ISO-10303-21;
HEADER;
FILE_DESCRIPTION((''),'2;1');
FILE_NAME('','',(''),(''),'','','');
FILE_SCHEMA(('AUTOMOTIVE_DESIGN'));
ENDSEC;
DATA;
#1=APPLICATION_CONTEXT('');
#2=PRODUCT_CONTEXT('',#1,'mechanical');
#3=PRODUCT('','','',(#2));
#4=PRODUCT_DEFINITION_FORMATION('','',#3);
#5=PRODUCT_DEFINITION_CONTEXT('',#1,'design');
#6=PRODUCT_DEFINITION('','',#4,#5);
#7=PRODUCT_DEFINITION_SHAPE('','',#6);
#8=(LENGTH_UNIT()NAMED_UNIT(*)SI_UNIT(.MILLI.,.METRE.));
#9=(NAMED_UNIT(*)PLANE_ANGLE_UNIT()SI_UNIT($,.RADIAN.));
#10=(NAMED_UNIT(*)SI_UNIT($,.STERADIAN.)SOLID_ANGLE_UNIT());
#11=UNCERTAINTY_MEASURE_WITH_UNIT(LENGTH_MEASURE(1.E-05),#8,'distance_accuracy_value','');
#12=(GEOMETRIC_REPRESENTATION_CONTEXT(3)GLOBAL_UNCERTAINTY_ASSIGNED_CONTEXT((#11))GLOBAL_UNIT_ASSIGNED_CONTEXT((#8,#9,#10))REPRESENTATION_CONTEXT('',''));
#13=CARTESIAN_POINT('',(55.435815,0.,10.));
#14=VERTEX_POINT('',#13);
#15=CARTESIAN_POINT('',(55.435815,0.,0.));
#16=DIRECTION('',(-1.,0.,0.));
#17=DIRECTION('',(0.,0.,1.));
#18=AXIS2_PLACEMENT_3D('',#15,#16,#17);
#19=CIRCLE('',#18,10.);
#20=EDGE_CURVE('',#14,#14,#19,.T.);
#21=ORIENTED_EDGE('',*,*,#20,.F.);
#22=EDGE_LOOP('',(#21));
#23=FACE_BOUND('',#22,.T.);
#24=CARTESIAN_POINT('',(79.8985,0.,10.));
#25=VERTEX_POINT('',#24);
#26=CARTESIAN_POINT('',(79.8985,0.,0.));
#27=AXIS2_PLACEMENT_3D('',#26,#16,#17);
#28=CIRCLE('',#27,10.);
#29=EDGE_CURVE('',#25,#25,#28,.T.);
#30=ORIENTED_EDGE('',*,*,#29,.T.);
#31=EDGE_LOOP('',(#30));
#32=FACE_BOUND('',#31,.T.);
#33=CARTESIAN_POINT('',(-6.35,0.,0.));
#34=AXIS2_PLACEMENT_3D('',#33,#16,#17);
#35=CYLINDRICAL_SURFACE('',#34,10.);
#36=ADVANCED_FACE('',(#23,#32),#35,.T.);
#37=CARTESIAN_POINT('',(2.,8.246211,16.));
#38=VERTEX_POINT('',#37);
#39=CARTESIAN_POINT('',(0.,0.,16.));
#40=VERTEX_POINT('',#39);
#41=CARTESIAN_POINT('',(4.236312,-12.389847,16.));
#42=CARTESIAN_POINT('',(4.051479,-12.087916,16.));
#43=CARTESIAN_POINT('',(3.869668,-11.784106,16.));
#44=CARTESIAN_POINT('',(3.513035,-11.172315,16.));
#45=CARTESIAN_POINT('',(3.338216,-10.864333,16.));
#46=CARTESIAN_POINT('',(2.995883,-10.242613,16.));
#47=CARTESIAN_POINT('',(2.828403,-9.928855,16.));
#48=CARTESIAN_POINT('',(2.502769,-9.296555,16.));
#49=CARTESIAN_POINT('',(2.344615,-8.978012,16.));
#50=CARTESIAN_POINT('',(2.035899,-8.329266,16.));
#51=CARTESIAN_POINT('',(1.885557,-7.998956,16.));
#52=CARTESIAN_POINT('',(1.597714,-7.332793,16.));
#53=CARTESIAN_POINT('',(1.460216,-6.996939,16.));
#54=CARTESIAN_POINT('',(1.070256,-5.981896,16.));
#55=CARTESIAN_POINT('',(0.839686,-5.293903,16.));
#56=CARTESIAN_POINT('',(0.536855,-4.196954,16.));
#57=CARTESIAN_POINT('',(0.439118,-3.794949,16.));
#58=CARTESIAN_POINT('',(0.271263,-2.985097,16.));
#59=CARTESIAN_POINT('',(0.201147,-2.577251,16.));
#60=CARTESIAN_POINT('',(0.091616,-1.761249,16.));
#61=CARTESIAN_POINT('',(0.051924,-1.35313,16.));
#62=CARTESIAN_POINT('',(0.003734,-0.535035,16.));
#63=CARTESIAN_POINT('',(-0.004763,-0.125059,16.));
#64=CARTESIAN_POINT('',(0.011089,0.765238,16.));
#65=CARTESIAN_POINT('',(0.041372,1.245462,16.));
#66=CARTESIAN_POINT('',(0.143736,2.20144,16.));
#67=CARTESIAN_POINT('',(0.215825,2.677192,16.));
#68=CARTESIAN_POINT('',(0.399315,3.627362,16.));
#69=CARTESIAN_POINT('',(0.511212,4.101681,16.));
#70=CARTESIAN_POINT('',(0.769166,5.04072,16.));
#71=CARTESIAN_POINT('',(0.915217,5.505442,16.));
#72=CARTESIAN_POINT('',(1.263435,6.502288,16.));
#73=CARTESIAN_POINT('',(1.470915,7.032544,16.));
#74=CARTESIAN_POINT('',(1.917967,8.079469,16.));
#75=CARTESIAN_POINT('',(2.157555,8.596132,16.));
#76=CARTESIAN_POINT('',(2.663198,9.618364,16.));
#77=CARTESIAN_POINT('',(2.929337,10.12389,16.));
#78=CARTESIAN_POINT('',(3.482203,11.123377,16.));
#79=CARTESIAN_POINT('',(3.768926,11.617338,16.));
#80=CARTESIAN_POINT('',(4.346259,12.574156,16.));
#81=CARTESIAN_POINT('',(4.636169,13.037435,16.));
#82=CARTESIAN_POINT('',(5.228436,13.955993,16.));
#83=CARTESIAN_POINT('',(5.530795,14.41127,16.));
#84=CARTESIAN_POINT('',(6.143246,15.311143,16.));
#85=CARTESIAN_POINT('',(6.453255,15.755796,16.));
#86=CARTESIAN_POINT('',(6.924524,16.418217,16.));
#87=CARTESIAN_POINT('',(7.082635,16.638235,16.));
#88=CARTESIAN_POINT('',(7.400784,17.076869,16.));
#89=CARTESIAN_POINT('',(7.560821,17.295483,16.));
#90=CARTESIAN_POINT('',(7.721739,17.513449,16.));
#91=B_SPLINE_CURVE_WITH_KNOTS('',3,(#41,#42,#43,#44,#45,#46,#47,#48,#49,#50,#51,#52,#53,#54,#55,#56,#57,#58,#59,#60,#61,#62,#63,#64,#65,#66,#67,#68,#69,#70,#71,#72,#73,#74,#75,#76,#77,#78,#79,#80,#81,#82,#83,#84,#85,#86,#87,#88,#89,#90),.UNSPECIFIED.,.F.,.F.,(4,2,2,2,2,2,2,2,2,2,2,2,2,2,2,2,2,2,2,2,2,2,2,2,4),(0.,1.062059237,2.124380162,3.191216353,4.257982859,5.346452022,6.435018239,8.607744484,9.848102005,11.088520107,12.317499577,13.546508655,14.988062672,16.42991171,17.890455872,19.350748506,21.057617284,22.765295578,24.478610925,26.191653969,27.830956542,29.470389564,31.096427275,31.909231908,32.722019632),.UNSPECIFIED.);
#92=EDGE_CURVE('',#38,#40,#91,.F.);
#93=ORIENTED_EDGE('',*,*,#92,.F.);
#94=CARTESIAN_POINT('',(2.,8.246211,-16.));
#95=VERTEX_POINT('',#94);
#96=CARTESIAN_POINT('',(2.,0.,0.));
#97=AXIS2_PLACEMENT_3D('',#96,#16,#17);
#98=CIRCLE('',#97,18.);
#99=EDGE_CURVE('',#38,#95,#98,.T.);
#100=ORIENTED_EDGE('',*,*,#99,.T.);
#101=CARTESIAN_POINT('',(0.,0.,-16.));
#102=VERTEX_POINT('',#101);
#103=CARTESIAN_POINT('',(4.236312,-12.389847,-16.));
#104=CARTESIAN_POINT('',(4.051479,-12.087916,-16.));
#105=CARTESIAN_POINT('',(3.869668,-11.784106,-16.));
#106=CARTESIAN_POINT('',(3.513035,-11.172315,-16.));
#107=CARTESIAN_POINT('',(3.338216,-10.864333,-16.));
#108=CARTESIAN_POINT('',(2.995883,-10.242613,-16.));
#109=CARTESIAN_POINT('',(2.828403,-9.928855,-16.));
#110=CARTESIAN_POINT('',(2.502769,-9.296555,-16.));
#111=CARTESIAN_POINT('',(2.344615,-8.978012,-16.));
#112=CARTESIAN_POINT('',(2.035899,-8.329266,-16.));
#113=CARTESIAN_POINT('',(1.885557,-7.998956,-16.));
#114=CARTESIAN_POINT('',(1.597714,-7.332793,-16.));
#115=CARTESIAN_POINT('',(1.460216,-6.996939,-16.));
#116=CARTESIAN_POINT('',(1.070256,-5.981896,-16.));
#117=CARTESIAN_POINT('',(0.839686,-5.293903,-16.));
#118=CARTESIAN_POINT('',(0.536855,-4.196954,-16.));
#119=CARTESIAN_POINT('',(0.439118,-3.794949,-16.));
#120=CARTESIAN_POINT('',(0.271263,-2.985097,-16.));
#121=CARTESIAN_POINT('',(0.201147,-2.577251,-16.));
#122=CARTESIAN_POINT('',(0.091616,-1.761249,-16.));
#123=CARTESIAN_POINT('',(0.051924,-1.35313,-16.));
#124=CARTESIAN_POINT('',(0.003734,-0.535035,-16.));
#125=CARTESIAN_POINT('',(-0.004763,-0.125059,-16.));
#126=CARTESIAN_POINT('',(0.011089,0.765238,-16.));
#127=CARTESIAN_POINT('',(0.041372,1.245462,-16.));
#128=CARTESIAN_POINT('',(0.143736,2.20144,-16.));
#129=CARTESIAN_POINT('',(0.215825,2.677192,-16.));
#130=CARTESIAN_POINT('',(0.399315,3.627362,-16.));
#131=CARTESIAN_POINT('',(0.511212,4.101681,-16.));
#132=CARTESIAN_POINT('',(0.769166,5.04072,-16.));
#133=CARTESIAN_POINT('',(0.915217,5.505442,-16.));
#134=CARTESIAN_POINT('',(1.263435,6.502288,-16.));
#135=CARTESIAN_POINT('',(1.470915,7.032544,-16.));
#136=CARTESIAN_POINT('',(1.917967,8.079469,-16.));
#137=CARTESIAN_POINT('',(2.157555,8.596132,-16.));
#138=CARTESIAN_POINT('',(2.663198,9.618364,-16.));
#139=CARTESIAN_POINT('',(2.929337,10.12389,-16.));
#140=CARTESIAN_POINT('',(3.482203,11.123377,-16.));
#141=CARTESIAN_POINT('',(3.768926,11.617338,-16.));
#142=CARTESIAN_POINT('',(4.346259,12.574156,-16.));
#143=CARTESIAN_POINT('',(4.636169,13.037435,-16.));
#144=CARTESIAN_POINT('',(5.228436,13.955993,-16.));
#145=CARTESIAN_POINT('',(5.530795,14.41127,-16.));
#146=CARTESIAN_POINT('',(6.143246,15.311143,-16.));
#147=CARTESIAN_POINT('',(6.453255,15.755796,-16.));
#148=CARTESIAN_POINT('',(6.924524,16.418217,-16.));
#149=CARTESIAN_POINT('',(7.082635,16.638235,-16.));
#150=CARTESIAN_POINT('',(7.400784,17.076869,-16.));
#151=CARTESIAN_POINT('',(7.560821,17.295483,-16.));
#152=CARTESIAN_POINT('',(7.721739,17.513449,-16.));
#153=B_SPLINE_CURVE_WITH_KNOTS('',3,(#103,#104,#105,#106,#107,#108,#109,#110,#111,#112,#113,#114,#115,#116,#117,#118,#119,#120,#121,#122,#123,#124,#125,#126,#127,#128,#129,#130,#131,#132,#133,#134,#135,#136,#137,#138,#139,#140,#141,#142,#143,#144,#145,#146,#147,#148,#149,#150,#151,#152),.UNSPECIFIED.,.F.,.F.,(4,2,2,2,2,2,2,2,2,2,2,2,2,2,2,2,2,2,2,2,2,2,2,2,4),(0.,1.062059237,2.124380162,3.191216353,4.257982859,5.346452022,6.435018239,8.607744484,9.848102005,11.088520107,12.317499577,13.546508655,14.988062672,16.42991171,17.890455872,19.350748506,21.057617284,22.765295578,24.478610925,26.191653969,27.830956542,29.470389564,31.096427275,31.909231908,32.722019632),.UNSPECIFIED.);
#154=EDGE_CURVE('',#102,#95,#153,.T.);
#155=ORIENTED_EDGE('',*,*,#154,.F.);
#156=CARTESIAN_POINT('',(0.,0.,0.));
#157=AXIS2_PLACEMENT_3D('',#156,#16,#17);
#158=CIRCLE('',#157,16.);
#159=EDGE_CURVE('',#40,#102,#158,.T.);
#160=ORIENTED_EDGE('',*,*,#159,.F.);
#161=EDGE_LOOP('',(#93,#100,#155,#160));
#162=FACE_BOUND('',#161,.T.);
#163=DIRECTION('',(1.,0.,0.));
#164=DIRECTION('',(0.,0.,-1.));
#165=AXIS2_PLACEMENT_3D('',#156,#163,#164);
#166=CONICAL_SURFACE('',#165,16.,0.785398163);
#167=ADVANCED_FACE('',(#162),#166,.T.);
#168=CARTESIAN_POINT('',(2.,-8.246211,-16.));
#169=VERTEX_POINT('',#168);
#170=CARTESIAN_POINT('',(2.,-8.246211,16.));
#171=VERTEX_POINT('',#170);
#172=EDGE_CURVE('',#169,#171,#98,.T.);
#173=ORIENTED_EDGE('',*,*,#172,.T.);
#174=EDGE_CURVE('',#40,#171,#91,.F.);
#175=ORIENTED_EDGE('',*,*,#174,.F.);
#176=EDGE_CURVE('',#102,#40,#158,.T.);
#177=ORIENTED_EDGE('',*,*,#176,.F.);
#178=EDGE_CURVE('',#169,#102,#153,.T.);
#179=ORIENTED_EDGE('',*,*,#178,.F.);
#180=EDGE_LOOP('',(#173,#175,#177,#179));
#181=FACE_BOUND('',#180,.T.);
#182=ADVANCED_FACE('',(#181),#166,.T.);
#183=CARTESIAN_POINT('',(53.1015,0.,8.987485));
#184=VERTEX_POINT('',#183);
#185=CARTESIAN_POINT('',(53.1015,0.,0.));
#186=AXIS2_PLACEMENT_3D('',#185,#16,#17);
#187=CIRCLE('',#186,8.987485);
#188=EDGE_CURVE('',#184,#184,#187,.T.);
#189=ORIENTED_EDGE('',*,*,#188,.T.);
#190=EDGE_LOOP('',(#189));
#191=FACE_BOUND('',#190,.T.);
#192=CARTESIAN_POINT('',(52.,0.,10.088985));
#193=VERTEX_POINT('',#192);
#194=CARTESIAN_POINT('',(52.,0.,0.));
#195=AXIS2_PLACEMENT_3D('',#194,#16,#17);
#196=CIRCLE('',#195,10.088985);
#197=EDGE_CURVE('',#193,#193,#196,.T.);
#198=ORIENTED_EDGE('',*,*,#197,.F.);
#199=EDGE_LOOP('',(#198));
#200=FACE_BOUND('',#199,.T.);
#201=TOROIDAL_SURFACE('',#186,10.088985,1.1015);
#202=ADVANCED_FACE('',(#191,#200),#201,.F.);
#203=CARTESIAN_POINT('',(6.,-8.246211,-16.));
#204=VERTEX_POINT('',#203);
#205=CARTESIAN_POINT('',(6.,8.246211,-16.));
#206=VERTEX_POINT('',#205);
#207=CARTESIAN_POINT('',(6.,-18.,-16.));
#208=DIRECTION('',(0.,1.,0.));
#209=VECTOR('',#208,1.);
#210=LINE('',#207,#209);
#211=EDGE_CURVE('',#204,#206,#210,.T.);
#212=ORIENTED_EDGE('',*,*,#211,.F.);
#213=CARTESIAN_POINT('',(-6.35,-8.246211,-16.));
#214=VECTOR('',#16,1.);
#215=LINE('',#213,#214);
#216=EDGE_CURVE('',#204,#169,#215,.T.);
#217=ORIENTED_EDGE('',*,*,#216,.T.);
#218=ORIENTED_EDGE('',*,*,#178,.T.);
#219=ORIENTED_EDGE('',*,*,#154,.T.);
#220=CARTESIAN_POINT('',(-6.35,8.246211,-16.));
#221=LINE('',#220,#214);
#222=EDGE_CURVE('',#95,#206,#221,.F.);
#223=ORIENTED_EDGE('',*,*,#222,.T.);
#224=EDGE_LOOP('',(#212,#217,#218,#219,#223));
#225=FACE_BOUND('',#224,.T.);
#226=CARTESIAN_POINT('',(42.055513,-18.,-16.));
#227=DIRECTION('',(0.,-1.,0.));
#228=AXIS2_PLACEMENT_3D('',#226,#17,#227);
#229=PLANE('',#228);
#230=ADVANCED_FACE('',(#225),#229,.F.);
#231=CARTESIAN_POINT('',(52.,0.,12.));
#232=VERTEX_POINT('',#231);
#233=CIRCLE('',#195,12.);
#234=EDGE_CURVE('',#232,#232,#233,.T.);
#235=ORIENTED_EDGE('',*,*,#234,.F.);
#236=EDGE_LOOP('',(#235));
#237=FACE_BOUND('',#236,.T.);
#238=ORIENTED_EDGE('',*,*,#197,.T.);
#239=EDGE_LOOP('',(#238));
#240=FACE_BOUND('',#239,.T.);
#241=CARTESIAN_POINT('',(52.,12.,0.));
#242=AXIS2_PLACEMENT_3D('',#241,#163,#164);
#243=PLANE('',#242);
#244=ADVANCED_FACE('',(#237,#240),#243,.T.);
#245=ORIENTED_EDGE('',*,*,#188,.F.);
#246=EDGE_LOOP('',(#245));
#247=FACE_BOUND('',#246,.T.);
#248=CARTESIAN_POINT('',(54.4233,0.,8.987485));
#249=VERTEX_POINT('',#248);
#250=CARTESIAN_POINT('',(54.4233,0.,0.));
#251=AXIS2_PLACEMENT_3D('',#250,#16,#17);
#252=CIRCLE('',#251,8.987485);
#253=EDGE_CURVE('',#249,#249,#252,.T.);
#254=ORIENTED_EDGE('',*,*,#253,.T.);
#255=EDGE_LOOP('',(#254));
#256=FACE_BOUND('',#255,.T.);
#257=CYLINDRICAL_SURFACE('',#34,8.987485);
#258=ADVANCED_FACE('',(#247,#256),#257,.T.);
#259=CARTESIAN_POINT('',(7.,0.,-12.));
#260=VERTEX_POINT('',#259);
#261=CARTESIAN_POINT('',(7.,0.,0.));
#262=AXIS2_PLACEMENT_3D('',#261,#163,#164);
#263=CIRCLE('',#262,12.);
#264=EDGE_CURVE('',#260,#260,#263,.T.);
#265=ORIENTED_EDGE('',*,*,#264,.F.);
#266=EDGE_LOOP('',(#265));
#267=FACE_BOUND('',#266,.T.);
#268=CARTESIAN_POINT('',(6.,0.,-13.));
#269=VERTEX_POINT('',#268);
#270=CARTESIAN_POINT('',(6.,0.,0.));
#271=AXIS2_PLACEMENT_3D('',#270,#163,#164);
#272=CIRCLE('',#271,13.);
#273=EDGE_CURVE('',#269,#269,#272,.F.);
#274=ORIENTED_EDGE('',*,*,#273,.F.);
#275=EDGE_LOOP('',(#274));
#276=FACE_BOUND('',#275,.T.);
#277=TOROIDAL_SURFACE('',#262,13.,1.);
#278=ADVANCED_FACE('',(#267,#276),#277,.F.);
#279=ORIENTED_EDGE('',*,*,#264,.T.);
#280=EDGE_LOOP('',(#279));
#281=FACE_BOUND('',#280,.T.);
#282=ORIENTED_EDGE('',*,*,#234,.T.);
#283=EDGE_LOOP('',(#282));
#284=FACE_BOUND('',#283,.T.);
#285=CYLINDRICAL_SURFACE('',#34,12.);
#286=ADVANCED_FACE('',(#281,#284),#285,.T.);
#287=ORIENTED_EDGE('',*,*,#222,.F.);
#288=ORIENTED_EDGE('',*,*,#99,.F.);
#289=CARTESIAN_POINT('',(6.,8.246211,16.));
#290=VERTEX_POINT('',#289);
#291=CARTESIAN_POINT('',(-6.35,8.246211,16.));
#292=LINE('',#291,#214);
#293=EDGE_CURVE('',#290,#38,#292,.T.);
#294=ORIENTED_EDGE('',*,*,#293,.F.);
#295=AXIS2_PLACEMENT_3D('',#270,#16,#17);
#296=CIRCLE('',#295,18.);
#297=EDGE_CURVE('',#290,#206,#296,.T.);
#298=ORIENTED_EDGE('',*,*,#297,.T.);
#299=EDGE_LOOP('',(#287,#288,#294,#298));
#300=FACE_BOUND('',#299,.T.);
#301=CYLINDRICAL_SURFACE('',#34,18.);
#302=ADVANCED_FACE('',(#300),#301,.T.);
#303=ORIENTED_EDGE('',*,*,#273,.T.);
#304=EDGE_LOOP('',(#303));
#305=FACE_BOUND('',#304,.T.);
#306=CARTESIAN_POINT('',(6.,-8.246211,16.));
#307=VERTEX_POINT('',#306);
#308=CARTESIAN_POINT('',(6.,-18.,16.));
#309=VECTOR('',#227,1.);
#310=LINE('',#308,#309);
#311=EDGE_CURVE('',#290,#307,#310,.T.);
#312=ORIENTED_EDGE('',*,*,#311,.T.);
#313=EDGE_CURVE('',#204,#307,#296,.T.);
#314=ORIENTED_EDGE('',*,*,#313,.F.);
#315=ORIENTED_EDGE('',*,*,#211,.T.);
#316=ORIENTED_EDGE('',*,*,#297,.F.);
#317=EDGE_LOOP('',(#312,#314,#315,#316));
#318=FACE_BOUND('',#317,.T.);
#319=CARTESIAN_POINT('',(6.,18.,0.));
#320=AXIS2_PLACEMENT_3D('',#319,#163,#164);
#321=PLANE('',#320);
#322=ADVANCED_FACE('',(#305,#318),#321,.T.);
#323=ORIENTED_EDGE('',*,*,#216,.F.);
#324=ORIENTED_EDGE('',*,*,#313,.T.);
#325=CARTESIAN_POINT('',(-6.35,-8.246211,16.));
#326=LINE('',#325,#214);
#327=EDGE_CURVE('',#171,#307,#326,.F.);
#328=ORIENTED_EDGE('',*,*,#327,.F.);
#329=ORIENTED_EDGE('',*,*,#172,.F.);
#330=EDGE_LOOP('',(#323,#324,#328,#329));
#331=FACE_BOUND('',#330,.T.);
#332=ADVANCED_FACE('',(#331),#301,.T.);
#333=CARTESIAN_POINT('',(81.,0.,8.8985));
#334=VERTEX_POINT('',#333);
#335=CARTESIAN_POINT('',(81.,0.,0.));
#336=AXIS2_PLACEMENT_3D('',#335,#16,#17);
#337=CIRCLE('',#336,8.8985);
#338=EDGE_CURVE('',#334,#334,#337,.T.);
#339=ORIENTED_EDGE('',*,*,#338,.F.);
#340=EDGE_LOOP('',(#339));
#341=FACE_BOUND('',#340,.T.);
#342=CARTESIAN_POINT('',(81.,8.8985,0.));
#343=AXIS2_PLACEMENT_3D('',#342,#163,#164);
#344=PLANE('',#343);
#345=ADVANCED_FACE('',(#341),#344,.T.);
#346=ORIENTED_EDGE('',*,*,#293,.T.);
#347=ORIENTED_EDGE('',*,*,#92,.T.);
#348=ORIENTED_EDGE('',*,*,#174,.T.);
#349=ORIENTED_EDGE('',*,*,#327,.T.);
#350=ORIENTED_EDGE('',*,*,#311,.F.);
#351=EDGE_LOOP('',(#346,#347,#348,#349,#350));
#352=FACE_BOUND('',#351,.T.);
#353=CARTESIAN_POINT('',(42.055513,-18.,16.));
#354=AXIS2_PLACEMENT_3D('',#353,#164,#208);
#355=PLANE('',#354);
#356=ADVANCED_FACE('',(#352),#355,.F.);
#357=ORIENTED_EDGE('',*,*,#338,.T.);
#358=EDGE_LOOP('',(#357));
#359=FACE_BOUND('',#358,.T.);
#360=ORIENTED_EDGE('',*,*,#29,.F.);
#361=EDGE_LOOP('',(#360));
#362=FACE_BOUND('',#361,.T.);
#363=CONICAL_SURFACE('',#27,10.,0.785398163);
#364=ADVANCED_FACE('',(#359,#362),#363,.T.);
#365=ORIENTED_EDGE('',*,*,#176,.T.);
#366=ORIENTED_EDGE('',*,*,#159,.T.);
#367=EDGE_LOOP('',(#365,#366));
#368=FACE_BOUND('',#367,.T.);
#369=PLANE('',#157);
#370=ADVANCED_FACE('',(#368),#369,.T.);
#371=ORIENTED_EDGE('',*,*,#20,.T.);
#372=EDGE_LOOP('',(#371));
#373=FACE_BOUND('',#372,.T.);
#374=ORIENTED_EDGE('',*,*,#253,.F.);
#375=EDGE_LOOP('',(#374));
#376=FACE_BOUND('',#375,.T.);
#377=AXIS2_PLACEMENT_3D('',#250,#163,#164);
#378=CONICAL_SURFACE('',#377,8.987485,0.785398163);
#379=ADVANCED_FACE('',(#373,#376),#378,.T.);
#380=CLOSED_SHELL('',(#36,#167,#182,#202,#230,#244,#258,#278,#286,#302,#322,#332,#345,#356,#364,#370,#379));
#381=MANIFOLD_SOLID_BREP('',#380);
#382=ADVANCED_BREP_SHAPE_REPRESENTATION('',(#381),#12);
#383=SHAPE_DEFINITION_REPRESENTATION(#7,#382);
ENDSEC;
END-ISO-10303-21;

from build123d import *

# Parameters (mm, degrees)
SKETCH1_W          = 2
SKETCH1_H          = 36
CUT_EXTRUDE1_DEPTH = 6
FILLET1_R          = 1


with BuildPart() as part:
    # BodySke → BaseBody (revolve)
    with BuildSketch(Plane.XY, mode=Mode.PRIVATE) as basebody_sk:
        with BuildLine():
            Line((0, 0), (0, 16))
            Line((0, 16), (2, 18))
            Line((2, 18), (6, 18))
            Line((6, 18), (6, 12))
            Line((6, 12), (52, 12))
            Line((52, 12), (52, 10.088985))
            ThreePointArc((52, 10.088985), (52.322621881, 9.310106881), (53.1015, 8.987485))
            Line((53.1015, 8.987485), (54.4233, 8.987485))
            Line((54.4233, 8.987485), (55.435815, 10))
            Line((55.435815, 10), (79.8985, 10))
            Line((79.8985, 10), (81, 8.8985))
            Line((81, 8.8985), (81, 0))
            Line((81, 0), (0, 0))
        make_face()
    revolve(basebody_sk.sketch.rotate(Axis((-6.35, 0, 0), (1, 0, 0)), 90), axis=Axis((-6.35, 0, 0), (1, 0, 0)))

    # Sketch1 → Cut-Extrude1 (cut)
    with BuildSketch(Plane.ZY):
        with Locations((-17, 0)):
            Rectangle(SKETCH1_W, SKETCH1_H)
        with Locations((17, 0)):
            Rectangle(SKETCH1_W, SKETCH1_H)
    extrude(amount=-CUT_EXTRUDE1_DEPTH, mode=Mode.SUBTRACT)

    # Fillet1
    fillet1_edges = [part.edges().sort_by_distance(p)[0] for p in [
        (6, 0, -12),
    ]]
    fillet(fillet1_edges, radius=FILLET1_R)


solid = part.part
